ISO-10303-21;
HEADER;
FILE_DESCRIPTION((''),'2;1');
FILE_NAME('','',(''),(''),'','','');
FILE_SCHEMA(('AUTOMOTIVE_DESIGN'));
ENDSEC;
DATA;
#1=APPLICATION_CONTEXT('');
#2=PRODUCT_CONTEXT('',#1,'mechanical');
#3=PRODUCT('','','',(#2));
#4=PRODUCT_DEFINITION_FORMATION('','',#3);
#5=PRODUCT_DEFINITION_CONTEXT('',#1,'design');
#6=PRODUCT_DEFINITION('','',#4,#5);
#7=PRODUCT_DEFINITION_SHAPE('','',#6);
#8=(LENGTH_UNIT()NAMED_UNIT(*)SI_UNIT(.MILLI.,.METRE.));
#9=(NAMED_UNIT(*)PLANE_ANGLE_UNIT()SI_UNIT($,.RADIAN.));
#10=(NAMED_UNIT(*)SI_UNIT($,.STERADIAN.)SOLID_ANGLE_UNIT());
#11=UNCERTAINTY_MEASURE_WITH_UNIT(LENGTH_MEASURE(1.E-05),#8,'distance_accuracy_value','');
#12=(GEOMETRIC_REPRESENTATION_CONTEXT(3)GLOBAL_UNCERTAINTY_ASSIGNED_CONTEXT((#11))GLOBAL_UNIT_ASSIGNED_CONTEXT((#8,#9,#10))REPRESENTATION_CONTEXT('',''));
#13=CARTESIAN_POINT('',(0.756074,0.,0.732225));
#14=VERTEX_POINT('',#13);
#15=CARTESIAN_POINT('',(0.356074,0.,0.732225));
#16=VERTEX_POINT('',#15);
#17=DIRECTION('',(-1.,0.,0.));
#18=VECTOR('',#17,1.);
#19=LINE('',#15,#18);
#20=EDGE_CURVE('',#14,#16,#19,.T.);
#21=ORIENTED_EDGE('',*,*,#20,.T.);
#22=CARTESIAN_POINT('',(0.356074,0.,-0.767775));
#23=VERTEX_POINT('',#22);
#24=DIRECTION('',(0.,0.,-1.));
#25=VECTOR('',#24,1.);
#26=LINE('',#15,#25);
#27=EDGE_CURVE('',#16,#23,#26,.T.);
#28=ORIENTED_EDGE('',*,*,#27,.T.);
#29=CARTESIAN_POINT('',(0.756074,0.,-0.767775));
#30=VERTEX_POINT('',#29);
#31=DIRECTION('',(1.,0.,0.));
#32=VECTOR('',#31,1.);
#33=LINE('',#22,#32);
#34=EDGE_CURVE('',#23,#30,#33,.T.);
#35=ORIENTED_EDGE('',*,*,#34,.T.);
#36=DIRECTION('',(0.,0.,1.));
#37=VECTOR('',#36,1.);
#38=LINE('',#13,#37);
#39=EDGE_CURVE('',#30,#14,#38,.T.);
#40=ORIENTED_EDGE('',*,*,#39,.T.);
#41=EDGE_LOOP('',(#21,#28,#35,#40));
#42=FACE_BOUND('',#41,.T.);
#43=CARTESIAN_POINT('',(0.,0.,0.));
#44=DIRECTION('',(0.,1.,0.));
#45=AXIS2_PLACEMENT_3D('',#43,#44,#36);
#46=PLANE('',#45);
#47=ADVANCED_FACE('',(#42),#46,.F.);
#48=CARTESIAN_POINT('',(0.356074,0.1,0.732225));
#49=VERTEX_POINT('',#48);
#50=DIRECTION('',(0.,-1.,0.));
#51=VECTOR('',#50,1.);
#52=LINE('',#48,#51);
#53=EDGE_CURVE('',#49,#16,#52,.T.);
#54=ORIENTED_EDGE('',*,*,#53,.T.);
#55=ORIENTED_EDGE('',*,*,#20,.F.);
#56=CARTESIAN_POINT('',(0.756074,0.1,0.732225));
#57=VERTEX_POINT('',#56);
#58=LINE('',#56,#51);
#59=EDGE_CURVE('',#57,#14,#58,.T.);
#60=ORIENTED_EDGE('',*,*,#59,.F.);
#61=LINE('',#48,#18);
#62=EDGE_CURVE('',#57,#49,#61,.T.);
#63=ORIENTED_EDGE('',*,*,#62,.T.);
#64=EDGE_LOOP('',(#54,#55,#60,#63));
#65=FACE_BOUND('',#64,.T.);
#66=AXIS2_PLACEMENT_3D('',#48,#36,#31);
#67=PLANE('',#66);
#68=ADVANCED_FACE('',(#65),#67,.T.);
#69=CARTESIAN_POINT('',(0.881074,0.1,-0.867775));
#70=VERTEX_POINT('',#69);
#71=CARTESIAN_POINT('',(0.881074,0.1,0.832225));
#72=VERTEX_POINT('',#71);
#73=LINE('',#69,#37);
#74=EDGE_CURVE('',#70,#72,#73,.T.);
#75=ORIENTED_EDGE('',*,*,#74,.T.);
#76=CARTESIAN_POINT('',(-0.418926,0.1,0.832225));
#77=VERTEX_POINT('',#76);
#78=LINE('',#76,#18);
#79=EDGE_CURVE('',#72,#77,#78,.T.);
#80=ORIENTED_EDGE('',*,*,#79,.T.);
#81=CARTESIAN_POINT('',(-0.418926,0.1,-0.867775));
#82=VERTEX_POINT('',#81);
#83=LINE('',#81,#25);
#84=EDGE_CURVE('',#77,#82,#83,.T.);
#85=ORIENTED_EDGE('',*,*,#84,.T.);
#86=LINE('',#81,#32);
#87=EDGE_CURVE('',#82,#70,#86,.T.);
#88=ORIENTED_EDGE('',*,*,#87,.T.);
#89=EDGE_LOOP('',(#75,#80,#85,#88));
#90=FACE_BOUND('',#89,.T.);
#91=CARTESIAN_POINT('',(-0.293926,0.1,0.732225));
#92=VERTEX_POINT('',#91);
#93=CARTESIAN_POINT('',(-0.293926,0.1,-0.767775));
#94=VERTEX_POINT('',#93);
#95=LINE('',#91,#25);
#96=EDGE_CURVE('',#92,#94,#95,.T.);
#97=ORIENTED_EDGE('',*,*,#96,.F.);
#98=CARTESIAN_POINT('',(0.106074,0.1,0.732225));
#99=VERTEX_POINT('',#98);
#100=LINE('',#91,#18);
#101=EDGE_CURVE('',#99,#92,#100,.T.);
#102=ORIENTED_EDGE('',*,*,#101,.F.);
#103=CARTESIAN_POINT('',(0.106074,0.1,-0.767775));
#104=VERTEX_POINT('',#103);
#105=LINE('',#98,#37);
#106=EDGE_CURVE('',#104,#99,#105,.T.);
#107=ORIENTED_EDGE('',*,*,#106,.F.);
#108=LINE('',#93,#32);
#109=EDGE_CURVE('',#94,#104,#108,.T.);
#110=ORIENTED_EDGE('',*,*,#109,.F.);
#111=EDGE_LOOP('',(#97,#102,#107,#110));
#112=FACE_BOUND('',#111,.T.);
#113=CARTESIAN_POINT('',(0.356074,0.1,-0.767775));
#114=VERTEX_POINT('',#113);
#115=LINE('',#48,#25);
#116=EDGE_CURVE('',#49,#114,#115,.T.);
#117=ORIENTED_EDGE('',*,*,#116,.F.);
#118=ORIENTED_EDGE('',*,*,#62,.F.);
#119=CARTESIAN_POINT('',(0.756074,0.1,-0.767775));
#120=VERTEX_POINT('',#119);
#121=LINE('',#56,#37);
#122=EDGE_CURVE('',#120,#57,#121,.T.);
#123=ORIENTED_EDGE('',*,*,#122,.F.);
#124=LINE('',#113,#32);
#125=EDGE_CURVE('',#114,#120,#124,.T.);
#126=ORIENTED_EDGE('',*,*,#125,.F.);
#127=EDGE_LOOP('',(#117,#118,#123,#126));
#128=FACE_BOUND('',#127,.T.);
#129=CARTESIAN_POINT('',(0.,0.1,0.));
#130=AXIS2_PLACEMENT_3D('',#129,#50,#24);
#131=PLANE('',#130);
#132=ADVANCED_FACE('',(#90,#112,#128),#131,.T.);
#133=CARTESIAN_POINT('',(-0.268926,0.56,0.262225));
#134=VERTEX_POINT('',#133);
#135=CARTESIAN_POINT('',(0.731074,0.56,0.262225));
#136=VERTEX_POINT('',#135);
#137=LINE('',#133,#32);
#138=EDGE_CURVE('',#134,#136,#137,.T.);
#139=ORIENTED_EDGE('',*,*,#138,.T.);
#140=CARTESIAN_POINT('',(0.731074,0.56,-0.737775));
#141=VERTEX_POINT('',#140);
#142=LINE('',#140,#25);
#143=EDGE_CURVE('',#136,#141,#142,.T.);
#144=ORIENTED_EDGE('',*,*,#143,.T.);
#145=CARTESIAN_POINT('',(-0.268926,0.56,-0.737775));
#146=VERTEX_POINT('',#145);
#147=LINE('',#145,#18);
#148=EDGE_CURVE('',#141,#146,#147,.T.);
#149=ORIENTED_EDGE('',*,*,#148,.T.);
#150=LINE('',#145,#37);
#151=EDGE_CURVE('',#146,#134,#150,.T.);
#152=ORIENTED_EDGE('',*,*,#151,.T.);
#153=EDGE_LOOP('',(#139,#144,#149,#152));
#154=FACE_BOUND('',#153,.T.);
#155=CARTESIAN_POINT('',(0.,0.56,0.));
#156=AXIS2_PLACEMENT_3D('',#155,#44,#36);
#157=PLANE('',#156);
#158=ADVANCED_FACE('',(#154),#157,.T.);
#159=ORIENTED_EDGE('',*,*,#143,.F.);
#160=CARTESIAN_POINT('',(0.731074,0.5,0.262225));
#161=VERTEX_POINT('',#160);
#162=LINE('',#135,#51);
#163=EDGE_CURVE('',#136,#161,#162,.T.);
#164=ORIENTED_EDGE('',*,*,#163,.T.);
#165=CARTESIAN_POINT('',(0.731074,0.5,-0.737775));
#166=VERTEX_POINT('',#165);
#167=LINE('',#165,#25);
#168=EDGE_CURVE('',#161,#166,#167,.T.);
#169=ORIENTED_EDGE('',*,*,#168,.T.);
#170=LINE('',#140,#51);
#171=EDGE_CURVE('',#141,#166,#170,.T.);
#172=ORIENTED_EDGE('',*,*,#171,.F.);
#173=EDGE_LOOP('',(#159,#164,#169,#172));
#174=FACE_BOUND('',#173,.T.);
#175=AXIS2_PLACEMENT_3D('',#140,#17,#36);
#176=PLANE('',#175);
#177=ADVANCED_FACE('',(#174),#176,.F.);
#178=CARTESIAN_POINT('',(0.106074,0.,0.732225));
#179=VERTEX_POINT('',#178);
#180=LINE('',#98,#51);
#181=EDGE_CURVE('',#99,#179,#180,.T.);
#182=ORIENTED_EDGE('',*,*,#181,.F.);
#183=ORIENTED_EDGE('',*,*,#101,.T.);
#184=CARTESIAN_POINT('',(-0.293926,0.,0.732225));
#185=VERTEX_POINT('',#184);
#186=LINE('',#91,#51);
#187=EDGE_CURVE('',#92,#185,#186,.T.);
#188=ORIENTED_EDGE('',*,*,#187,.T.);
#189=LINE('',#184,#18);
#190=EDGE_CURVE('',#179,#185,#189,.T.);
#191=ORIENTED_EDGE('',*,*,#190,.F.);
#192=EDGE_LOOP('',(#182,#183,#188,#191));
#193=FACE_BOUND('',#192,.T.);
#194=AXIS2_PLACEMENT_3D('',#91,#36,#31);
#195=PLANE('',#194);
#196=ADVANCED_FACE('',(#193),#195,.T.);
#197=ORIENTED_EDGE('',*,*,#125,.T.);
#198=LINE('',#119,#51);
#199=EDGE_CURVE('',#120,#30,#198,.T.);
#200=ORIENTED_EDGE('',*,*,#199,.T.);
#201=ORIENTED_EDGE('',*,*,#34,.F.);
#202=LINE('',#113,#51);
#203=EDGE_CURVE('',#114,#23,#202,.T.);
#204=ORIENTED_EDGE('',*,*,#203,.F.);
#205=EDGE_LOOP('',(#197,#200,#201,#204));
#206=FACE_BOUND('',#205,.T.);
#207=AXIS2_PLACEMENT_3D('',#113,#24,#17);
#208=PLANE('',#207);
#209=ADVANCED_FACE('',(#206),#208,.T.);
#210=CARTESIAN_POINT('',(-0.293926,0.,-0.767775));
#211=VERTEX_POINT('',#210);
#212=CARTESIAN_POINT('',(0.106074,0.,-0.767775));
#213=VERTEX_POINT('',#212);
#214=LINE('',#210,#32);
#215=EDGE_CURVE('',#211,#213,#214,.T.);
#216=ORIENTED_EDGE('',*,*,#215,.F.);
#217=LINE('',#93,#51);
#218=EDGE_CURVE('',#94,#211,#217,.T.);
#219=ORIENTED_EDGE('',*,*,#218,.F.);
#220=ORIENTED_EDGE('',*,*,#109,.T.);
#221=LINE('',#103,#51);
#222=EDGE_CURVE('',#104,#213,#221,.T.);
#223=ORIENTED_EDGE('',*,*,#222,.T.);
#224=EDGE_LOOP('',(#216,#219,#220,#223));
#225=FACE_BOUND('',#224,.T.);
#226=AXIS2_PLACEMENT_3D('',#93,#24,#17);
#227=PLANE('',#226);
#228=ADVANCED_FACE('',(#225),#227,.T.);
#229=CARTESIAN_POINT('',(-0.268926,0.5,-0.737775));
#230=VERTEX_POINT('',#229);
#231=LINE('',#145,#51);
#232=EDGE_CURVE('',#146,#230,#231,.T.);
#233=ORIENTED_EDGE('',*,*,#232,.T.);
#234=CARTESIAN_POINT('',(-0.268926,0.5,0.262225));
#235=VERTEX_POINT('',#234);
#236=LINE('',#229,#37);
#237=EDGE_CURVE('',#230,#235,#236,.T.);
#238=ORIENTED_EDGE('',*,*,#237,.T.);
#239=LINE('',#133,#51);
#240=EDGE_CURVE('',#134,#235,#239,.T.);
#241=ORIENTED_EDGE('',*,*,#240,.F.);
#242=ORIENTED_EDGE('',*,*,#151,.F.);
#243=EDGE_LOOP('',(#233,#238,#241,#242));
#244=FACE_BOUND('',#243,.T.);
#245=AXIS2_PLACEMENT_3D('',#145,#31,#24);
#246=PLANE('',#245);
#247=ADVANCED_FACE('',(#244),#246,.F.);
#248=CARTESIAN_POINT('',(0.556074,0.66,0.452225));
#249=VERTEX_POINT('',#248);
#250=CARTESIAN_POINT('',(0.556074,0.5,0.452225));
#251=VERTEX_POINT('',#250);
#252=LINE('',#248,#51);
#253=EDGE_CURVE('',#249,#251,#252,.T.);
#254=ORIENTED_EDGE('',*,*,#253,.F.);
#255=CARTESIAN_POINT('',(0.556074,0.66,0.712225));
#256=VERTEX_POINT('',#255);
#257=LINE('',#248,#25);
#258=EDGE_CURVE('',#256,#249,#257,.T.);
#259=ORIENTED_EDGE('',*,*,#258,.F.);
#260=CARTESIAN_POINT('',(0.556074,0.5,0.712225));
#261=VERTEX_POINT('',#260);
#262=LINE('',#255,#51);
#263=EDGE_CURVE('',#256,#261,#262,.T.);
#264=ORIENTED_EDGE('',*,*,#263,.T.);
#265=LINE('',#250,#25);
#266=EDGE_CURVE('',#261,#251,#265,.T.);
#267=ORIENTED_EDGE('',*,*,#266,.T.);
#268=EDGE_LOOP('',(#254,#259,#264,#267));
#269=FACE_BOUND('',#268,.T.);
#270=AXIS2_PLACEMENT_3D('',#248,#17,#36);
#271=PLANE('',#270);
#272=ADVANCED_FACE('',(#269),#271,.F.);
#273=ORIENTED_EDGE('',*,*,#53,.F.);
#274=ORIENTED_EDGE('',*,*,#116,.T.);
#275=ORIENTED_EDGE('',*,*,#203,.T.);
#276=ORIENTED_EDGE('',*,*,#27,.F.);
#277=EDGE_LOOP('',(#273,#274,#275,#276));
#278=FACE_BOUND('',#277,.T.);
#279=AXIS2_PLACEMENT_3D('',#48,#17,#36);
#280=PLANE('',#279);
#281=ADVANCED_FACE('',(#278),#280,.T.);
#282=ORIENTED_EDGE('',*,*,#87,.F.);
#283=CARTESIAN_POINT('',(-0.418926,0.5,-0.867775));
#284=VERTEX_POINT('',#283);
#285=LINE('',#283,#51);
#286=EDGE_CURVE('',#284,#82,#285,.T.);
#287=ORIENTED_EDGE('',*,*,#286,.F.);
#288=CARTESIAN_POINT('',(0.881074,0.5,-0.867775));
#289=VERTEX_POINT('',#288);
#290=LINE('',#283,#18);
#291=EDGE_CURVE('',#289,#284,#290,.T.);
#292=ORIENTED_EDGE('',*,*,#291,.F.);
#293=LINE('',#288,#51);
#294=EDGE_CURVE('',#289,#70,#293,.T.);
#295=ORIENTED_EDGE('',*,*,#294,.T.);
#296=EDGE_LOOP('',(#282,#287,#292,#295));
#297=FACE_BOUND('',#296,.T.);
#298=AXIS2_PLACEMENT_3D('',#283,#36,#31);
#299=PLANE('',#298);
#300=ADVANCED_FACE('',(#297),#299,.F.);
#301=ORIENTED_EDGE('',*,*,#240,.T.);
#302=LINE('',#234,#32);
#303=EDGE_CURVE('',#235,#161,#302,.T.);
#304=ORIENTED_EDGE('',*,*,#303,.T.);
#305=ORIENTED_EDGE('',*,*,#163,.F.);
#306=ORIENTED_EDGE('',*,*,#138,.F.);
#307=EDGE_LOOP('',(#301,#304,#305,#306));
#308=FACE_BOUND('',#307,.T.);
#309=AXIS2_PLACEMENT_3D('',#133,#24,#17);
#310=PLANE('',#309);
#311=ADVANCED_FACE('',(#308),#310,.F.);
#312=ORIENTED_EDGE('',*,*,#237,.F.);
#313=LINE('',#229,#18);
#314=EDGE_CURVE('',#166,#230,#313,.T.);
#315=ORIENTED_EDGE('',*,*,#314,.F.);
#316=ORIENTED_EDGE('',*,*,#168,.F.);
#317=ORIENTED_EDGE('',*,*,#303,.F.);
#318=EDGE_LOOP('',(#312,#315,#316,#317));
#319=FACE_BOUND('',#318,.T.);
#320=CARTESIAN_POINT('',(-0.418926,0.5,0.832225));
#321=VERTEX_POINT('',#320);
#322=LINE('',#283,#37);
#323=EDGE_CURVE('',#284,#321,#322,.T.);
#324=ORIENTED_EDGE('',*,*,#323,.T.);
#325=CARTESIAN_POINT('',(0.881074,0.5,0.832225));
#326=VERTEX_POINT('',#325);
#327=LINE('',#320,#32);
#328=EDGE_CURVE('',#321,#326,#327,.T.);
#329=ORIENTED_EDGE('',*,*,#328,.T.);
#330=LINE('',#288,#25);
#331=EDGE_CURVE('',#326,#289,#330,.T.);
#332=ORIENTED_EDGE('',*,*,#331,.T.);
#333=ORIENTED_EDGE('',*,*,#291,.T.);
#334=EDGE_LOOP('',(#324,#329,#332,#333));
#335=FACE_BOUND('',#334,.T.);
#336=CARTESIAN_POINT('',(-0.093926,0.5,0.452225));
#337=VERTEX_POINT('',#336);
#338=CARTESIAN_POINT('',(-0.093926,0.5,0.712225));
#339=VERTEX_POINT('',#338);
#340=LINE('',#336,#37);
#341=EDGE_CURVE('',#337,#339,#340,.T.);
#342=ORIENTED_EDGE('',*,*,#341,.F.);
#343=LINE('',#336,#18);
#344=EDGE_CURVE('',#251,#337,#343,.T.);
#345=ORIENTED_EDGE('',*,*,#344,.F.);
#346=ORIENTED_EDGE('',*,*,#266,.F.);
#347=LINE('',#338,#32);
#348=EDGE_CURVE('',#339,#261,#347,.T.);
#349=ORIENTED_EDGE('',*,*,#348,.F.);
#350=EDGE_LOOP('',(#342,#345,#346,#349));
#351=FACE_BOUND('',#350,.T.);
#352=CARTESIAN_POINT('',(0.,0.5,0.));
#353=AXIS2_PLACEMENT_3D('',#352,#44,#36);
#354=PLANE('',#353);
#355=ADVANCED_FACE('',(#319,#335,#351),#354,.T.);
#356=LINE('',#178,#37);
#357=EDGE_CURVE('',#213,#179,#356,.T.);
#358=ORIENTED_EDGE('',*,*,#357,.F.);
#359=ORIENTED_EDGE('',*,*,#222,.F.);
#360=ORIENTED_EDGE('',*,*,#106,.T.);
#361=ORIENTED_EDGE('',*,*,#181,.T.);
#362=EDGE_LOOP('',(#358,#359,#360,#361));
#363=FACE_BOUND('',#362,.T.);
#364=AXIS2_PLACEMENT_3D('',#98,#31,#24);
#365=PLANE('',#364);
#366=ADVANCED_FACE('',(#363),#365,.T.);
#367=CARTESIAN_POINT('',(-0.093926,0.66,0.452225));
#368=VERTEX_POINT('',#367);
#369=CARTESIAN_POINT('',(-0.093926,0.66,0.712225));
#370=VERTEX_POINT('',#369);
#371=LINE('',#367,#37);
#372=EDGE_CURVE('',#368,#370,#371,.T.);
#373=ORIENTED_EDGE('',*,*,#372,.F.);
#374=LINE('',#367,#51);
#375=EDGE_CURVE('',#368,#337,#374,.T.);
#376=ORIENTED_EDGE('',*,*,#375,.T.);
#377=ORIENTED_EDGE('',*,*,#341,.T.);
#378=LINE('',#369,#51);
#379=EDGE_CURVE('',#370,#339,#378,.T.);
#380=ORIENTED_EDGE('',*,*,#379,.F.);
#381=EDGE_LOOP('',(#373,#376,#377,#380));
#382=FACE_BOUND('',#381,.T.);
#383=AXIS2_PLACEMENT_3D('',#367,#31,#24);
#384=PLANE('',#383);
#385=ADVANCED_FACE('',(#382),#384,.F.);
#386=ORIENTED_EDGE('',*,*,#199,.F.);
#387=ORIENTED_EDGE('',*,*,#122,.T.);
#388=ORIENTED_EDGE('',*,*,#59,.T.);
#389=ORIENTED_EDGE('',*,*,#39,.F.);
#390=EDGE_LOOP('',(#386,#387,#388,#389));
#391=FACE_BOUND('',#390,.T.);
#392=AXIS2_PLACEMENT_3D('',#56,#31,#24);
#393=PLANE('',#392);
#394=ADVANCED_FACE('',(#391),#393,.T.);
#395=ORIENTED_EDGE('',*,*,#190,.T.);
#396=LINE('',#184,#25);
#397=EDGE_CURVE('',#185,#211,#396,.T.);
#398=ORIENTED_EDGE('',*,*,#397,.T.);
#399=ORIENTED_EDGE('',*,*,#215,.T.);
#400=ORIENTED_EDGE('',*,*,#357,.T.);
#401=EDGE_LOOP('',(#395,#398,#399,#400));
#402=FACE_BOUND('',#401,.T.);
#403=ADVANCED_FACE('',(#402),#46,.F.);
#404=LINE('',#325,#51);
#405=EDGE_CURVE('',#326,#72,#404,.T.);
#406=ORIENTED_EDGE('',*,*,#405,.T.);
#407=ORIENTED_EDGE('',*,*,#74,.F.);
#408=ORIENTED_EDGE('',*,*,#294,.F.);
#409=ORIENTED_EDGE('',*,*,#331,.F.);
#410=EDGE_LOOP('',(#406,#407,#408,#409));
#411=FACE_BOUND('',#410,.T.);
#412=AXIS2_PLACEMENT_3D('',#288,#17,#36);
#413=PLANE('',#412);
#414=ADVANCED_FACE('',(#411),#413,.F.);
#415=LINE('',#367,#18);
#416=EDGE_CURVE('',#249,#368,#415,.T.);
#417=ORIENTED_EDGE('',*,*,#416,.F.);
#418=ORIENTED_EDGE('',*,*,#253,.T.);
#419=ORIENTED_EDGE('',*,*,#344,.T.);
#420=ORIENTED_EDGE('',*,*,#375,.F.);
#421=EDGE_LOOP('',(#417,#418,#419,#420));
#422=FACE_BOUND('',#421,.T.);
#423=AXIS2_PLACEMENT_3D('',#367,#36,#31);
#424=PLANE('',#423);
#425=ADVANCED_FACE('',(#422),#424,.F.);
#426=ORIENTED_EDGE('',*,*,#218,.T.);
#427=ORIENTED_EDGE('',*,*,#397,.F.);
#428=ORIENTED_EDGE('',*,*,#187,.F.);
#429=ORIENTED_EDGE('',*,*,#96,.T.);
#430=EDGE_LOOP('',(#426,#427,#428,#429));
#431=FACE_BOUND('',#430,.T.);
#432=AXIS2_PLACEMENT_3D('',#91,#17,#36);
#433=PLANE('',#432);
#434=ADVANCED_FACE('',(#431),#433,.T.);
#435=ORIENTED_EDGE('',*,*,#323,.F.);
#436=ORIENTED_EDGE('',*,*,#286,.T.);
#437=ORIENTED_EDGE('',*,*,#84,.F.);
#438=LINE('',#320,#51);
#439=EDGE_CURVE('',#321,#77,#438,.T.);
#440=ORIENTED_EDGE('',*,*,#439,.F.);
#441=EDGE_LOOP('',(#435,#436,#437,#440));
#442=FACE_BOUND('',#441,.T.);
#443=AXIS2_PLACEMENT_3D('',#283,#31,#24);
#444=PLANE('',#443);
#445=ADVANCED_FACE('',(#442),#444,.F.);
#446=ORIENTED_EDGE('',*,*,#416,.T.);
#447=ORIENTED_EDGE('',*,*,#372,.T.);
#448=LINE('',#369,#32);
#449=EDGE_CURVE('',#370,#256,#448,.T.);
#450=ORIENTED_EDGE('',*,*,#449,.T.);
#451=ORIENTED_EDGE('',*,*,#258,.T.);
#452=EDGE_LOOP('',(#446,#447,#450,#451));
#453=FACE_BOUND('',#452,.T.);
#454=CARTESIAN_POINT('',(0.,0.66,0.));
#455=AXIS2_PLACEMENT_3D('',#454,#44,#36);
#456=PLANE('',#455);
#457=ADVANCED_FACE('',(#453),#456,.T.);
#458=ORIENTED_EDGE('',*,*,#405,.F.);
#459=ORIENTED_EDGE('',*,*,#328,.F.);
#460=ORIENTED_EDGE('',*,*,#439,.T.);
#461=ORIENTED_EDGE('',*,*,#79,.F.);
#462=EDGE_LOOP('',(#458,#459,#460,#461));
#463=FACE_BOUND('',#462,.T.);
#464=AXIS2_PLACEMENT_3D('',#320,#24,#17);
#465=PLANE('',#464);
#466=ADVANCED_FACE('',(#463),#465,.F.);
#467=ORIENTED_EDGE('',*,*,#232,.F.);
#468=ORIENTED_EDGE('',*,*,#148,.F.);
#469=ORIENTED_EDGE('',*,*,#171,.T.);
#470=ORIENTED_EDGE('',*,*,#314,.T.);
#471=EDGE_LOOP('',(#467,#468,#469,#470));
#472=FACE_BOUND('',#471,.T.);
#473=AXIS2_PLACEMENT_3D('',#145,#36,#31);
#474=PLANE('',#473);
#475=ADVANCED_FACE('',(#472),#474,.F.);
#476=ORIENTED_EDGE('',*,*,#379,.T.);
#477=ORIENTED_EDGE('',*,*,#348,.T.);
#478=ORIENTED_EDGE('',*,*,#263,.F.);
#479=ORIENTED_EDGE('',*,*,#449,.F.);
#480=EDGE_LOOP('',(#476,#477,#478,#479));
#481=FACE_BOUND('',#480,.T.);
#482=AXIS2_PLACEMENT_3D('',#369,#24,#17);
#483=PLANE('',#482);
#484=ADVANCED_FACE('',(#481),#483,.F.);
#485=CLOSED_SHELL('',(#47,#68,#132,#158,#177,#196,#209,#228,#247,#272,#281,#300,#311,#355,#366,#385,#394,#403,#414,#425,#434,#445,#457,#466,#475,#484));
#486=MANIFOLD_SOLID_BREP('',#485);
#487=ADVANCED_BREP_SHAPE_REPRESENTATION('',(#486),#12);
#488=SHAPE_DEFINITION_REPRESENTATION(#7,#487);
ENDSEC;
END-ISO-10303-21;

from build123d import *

# Parameters (mm, degrees)
SKETCH1_W           = 1.3
SKETCH1_H           = 1.7
BOSS_EXTRUDE1_DEPTH = 0.5
SKETCH2_W           = 1
SKETCH2_H           = 1
BOSS_EXTRUDE2_DEPTH = 0.06
SKETCH3_W           = 0.65
SKETCH3_H           = 0.26
BOSS_EXTRUDE3_DEPTH = 0.16
SKETCH4_W           = 2.706205425
SKETCH4_H           = 2.549362478
SKETCH4_W_2         = 0.4
SKETCH4_H_2         = 1.5
CUT_EXTRUDE1_DEPTH  = 0.1


with BuildPart() as part:
    # Sketch1 → Boss-Extrude1 (new body)
    with BuildSketch(Plane(origin=(0, 0, 0), x_dir=(1, 0, 0), z_dir=(0, 1, 0))):
        with Locations((0.231074169, 0.017774936)):
            Rectangle(SKETCH1_W, SKETCH1_H)
    extrude(amount=BOSS_EXTRUDE1_DEPTH)

    # Sketch2 → Boss-Extrude2 (add)
    with BuildSketch(Plane(origin=(0, 0.5, 0), x_dir=(1, 0, 0), z_dir=(0, 1, 0))):
        with Locations((0.231074169, 0.237774936)):
            Rectangle(SKETCH2_W, SKETCH2_H)
    extrude(amount=BOSS_EXTRUDE2_DEPTH)

    # Sketch3 → Boss-Extrude3 (add)
    with BuildSketch(Plane(origin=(0, 0.5, 0), x_dir=(1, 0, 0), z_dir=(0, 1, 0))):
        with Locations((0.231074169, -0.582225064)):
            Rectangle(SKETCH3_W, SKETCH3_H)
    extrude(amount=BOSS_EXTRUDE3_DEPTH)

    # Sketch4 → Cut-Extrude1 (cut)
    with BuildSketch(Plane.XZ):
        with Locations((0.454375992, -0.066954504)):
            Rectangle(SKETCH4_W, SKETCH4_H)
        with Locations((-0.093925831, -0.017774936)):
            Rectangle(SKETCH4_W_2, SKETCH4_H_2, mode=Mode.SUBTRACT)
        with Locations((0.556074169, -0.017774936)):
            Rectangle(SKETCH4_W_2, SKETCH4_H_2, mode=Mode.SUBTRACT)
    extrude(amount=-CUT_EXTRUDE1_DEPTH, mode=Mode.SUBTRACT)


solid = part.part
